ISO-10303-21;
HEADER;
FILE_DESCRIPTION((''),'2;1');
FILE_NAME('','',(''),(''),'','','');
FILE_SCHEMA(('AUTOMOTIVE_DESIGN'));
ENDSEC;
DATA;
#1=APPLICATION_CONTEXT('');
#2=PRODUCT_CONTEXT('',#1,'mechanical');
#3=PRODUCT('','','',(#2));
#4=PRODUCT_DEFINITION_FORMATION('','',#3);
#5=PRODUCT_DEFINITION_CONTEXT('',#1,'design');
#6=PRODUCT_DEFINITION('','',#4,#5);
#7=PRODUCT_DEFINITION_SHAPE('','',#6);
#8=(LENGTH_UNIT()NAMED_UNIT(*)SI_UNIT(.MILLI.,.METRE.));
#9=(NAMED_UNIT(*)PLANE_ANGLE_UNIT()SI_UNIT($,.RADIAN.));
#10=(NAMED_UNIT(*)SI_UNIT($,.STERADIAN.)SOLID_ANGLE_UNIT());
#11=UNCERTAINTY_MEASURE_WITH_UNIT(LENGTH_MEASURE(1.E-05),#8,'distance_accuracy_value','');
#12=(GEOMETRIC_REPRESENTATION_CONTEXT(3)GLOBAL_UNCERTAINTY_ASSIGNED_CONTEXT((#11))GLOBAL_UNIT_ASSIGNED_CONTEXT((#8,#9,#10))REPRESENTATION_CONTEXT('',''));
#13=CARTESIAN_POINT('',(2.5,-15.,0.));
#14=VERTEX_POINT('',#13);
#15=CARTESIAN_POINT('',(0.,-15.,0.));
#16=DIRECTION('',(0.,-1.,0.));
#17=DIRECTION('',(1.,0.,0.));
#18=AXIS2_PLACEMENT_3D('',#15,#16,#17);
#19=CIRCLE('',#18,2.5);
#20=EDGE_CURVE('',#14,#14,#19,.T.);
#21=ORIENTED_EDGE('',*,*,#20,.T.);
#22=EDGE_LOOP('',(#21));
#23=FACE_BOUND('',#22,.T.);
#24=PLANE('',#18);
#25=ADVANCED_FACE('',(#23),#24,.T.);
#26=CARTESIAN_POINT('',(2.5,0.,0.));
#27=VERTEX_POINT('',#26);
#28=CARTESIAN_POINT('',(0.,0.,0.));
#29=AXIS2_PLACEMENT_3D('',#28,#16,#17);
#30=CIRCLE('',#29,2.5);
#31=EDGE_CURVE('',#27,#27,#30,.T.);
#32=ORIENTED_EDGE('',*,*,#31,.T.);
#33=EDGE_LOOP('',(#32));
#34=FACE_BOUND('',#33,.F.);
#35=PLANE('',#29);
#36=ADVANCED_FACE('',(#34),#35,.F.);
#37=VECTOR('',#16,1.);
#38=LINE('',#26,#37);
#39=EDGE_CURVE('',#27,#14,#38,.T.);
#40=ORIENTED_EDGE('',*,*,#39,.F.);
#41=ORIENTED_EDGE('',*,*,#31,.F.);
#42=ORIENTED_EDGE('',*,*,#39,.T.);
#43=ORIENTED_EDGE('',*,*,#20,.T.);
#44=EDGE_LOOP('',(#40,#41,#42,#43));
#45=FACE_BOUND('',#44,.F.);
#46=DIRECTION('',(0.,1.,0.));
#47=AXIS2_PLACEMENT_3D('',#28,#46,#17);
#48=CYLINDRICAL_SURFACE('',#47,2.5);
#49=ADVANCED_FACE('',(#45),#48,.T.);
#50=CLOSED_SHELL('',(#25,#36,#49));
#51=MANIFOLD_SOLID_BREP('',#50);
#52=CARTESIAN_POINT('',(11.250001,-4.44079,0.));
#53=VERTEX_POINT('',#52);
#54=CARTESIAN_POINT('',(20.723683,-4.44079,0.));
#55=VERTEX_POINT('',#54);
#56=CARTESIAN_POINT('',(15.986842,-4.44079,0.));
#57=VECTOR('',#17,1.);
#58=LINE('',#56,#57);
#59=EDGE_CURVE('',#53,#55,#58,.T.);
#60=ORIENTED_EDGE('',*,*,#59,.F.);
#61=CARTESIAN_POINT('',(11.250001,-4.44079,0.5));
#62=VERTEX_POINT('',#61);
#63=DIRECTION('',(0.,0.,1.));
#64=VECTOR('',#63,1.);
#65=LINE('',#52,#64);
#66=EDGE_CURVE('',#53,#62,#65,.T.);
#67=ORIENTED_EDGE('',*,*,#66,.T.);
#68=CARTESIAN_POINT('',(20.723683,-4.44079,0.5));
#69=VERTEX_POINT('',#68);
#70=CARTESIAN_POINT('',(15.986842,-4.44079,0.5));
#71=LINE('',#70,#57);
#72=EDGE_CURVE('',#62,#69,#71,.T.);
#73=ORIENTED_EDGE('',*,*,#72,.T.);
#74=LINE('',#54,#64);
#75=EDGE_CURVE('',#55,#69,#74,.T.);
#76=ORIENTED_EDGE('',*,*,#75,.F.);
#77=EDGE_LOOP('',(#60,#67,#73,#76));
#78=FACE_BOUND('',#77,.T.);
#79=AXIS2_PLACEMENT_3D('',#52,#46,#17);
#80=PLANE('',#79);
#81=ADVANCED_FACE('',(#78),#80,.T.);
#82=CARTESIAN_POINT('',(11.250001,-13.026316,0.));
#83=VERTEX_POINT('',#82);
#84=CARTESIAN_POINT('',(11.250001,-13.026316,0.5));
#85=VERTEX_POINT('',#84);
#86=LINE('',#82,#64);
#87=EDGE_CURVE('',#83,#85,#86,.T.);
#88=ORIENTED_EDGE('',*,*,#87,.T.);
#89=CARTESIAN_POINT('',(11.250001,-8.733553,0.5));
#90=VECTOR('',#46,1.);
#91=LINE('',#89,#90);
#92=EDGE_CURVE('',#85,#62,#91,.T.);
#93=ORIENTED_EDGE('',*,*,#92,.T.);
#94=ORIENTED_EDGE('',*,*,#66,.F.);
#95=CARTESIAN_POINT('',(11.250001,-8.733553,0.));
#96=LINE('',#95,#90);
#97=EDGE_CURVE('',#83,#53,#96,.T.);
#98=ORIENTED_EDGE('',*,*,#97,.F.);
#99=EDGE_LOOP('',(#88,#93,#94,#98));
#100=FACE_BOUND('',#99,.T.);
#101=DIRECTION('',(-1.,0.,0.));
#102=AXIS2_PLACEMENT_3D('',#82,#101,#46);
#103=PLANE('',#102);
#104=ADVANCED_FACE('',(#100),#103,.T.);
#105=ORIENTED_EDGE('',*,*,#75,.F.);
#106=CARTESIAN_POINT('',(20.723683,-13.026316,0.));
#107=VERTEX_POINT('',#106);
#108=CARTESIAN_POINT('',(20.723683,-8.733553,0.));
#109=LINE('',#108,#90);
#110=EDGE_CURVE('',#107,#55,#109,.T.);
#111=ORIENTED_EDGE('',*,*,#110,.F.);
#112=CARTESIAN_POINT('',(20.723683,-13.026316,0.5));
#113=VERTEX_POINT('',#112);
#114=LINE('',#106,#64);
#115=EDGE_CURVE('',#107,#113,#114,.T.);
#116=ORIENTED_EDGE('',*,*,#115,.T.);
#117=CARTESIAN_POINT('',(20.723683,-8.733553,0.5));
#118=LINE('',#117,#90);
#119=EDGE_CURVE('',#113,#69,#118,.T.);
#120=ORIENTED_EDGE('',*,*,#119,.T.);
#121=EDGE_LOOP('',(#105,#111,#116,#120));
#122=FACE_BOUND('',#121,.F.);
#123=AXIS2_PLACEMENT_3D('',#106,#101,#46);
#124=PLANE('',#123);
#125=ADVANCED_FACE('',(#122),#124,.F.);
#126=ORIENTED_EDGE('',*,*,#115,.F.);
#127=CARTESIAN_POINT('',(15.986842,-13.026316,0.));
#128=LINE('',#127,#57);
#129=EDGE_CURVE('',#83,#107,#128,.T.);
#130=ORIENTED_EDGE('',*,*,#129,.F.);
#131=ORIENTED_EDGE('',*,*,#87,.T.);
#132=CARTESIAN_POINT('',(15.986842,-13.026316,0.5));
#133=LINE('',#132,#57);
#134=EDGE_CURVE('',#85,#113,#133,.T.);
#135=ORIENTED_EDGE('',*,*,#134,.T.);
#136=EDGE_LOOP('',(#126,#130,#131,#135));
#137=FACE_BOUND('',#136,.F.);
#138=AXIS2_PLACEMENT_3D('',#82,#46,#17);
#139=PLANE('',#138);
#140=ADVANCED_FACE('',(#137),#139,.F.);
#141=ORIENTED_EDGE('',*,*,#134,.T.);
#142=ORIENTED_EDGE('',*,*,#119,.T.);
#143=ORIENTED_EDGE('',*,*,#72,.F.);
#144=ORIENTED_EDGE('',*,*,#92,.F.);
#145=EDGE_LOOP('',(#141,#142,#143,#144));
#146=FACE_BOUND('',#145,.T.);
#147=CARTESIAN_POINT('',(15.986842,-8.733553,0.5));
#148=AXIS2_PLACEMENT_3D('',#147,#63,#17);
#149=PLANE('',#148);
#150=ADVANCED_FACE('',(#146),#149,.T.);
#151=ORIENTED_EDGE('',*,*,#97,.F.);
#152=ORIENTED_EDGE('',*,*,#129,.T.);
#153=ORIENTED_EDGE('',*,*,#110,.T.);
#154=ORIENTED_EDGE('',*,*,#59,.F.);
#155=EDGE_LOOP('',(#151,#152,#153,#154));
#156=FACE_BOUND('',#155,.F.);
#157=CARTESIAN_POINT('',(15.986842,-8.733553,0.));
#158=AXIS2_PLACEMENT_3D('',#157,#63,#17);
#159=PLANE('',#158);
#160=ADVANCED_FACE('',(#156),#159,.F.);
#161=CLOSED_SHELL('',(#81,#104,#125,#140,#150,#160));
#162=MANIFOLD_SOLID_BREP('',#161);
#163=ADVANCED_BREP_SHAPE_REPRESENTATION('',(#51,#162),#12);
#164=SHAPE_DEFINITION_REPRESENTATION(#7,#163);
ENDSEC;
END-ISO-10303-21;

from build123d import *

# Parameters (mm, degrees)
F0_R     = 2.5
F1_DEPTH = 15
F2_W     = 9.473683
F2_H     = 8.585526
F3_DEPTH = 0.5


with BuildPart() as f1:
    # F0 (on Front) → F1 (new body)
    with BuildSketch(Plane.XZ):
        Circle(F0_R)
    extrude(amount=F1_DEPTH)


with BuildPart() as f3:
    # F2 (on Top) → F3 (new body)
    with BuildSketch(Plane.XY):
        with Locations((15.986842, -8.733553)):
            Rectangle(F2_W, F2_H)
    extrude(amount=F3_DEPTH)


solid = Compound([f1.part, f3.part])
